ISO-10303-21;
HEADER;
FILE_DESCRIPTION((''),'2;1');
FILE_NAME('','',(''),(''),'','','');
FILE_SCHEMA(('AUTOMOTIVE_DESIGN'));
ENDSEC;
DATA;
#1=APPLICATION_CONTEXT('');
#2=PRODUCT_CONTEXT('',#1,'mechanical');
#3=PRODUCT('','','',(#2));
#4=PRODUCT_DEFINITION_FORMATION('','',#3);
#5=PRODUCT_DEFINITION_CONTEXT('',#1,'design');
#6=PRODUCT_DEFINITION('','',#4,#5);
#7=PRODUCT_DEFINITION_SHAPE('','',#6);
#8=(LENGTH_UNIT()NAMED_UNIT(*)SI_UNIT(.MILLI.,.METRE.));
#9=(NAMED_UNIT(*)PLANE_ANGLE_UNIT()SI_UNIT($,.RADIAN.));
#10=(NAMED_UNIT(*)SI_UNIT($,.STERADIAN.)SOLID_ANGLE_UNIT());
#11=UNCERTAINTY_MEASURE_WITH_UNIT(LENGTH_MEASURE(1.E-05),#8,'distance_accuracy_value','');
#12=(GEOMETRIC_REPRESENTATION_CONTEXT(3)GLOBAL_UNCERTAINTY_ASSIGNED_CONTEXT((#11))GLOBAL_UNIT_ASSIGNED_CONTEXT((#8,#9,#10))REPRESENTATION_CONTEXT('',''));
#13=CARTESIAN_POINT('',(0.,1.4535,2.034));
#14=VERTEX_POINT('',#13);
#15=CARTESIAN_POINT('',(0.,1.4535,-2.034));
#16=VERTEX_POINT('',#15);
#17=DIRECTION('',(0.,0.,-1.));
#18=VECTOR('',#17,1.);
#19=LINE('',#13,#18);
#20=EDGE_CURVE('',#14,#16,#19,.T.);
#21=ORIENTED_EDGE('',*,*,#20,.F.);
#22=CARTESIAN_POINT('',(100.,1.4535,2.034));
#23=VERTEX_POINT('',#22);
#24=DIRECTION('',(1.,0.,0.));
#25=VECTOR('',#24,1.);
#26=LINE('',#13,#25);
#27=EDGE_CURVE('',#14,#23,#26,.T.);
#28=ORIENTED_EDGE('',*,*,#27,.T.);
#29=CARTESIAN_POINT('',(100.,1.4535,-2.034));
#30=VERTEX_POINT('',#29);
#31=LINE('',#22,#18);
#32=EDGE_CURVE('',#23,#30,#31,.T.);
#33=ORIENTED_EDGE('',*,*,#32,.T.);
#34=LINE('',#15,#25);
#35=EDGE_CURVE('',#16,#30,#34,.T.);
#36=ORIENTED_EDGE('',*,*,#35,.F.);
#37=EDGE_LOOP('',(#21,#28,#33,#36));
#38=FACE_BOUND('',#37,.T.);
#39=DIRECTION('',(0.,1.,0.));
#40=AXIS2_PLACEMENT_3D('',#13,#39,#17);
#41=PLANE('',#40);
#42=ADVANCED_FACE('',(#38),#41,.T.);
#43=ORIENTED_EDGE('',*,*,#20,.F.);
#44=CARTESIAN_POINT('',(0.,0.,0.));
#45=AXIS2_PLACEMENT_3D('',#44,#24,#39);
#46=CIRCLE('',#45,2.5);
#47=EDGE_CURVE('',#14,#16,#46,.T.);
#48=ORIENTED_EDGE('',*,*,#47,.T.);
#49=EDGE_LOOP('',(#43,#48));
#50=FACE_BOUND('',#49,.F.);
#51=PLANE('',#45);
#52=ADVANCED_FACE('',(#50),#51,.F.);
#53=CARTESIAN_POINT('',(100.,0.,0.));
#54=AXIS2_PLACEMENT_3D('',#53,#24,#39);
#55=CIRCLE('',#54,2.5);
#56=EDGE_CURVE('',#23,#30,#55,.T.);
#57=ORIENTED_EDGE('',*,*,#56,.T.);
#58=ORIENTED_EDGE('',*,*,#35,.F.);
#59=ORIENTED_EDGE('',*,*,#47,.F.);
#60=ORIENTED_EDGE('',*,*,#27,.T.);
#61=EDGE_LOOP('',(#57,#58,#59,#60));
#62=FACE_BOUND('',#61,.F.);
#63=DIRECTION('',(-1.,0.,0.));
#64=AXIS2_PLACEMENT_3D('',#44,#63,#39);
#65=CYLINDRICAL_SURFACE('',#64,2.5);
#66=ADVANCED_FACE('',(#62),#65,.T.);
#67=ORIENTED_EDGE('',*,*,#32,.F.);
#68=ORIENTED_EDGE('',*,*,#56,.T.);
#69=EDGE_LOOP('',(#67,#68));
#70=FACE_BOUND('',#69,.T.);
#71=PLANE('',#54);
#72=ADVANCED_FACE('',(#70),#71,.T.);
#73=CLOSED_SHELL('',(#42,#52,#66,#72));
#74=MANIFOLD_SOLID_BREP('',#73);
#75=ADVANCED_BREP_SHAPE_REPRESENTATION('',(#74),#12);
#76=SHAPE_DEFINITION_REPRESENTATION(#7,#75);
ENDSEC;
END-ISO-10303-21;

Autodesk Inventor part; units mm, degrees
ref_plane "YZ Plane" through (0, 0, 0) normal (1, 0, 0) x (0, 1, 0)
ref_plane "XZ Plane" through (0, 0, 0) normal (0, 1, 0) x (-1, 0, 0)
ref_plane "XY Plane" through (0, 0, 0) normal (0, 0, 1) x (1, 0, 0)
sketch "Эскиз1" plane through (0, 0, 0) normal (1, 0, 0) x (0, 1, 0)
  circle A0 centre (0, 0) radius 2.5
  line L0 (1.4535, 2.034) -> (1.4535, -2.034)
  dimension "d0" = 5
extrude "Выдавливание1" add sketch "Эскиз1" along normal blind 100 contours L0 A0 picked at (0.1357, 0)
properties part number "вал 5мм"
